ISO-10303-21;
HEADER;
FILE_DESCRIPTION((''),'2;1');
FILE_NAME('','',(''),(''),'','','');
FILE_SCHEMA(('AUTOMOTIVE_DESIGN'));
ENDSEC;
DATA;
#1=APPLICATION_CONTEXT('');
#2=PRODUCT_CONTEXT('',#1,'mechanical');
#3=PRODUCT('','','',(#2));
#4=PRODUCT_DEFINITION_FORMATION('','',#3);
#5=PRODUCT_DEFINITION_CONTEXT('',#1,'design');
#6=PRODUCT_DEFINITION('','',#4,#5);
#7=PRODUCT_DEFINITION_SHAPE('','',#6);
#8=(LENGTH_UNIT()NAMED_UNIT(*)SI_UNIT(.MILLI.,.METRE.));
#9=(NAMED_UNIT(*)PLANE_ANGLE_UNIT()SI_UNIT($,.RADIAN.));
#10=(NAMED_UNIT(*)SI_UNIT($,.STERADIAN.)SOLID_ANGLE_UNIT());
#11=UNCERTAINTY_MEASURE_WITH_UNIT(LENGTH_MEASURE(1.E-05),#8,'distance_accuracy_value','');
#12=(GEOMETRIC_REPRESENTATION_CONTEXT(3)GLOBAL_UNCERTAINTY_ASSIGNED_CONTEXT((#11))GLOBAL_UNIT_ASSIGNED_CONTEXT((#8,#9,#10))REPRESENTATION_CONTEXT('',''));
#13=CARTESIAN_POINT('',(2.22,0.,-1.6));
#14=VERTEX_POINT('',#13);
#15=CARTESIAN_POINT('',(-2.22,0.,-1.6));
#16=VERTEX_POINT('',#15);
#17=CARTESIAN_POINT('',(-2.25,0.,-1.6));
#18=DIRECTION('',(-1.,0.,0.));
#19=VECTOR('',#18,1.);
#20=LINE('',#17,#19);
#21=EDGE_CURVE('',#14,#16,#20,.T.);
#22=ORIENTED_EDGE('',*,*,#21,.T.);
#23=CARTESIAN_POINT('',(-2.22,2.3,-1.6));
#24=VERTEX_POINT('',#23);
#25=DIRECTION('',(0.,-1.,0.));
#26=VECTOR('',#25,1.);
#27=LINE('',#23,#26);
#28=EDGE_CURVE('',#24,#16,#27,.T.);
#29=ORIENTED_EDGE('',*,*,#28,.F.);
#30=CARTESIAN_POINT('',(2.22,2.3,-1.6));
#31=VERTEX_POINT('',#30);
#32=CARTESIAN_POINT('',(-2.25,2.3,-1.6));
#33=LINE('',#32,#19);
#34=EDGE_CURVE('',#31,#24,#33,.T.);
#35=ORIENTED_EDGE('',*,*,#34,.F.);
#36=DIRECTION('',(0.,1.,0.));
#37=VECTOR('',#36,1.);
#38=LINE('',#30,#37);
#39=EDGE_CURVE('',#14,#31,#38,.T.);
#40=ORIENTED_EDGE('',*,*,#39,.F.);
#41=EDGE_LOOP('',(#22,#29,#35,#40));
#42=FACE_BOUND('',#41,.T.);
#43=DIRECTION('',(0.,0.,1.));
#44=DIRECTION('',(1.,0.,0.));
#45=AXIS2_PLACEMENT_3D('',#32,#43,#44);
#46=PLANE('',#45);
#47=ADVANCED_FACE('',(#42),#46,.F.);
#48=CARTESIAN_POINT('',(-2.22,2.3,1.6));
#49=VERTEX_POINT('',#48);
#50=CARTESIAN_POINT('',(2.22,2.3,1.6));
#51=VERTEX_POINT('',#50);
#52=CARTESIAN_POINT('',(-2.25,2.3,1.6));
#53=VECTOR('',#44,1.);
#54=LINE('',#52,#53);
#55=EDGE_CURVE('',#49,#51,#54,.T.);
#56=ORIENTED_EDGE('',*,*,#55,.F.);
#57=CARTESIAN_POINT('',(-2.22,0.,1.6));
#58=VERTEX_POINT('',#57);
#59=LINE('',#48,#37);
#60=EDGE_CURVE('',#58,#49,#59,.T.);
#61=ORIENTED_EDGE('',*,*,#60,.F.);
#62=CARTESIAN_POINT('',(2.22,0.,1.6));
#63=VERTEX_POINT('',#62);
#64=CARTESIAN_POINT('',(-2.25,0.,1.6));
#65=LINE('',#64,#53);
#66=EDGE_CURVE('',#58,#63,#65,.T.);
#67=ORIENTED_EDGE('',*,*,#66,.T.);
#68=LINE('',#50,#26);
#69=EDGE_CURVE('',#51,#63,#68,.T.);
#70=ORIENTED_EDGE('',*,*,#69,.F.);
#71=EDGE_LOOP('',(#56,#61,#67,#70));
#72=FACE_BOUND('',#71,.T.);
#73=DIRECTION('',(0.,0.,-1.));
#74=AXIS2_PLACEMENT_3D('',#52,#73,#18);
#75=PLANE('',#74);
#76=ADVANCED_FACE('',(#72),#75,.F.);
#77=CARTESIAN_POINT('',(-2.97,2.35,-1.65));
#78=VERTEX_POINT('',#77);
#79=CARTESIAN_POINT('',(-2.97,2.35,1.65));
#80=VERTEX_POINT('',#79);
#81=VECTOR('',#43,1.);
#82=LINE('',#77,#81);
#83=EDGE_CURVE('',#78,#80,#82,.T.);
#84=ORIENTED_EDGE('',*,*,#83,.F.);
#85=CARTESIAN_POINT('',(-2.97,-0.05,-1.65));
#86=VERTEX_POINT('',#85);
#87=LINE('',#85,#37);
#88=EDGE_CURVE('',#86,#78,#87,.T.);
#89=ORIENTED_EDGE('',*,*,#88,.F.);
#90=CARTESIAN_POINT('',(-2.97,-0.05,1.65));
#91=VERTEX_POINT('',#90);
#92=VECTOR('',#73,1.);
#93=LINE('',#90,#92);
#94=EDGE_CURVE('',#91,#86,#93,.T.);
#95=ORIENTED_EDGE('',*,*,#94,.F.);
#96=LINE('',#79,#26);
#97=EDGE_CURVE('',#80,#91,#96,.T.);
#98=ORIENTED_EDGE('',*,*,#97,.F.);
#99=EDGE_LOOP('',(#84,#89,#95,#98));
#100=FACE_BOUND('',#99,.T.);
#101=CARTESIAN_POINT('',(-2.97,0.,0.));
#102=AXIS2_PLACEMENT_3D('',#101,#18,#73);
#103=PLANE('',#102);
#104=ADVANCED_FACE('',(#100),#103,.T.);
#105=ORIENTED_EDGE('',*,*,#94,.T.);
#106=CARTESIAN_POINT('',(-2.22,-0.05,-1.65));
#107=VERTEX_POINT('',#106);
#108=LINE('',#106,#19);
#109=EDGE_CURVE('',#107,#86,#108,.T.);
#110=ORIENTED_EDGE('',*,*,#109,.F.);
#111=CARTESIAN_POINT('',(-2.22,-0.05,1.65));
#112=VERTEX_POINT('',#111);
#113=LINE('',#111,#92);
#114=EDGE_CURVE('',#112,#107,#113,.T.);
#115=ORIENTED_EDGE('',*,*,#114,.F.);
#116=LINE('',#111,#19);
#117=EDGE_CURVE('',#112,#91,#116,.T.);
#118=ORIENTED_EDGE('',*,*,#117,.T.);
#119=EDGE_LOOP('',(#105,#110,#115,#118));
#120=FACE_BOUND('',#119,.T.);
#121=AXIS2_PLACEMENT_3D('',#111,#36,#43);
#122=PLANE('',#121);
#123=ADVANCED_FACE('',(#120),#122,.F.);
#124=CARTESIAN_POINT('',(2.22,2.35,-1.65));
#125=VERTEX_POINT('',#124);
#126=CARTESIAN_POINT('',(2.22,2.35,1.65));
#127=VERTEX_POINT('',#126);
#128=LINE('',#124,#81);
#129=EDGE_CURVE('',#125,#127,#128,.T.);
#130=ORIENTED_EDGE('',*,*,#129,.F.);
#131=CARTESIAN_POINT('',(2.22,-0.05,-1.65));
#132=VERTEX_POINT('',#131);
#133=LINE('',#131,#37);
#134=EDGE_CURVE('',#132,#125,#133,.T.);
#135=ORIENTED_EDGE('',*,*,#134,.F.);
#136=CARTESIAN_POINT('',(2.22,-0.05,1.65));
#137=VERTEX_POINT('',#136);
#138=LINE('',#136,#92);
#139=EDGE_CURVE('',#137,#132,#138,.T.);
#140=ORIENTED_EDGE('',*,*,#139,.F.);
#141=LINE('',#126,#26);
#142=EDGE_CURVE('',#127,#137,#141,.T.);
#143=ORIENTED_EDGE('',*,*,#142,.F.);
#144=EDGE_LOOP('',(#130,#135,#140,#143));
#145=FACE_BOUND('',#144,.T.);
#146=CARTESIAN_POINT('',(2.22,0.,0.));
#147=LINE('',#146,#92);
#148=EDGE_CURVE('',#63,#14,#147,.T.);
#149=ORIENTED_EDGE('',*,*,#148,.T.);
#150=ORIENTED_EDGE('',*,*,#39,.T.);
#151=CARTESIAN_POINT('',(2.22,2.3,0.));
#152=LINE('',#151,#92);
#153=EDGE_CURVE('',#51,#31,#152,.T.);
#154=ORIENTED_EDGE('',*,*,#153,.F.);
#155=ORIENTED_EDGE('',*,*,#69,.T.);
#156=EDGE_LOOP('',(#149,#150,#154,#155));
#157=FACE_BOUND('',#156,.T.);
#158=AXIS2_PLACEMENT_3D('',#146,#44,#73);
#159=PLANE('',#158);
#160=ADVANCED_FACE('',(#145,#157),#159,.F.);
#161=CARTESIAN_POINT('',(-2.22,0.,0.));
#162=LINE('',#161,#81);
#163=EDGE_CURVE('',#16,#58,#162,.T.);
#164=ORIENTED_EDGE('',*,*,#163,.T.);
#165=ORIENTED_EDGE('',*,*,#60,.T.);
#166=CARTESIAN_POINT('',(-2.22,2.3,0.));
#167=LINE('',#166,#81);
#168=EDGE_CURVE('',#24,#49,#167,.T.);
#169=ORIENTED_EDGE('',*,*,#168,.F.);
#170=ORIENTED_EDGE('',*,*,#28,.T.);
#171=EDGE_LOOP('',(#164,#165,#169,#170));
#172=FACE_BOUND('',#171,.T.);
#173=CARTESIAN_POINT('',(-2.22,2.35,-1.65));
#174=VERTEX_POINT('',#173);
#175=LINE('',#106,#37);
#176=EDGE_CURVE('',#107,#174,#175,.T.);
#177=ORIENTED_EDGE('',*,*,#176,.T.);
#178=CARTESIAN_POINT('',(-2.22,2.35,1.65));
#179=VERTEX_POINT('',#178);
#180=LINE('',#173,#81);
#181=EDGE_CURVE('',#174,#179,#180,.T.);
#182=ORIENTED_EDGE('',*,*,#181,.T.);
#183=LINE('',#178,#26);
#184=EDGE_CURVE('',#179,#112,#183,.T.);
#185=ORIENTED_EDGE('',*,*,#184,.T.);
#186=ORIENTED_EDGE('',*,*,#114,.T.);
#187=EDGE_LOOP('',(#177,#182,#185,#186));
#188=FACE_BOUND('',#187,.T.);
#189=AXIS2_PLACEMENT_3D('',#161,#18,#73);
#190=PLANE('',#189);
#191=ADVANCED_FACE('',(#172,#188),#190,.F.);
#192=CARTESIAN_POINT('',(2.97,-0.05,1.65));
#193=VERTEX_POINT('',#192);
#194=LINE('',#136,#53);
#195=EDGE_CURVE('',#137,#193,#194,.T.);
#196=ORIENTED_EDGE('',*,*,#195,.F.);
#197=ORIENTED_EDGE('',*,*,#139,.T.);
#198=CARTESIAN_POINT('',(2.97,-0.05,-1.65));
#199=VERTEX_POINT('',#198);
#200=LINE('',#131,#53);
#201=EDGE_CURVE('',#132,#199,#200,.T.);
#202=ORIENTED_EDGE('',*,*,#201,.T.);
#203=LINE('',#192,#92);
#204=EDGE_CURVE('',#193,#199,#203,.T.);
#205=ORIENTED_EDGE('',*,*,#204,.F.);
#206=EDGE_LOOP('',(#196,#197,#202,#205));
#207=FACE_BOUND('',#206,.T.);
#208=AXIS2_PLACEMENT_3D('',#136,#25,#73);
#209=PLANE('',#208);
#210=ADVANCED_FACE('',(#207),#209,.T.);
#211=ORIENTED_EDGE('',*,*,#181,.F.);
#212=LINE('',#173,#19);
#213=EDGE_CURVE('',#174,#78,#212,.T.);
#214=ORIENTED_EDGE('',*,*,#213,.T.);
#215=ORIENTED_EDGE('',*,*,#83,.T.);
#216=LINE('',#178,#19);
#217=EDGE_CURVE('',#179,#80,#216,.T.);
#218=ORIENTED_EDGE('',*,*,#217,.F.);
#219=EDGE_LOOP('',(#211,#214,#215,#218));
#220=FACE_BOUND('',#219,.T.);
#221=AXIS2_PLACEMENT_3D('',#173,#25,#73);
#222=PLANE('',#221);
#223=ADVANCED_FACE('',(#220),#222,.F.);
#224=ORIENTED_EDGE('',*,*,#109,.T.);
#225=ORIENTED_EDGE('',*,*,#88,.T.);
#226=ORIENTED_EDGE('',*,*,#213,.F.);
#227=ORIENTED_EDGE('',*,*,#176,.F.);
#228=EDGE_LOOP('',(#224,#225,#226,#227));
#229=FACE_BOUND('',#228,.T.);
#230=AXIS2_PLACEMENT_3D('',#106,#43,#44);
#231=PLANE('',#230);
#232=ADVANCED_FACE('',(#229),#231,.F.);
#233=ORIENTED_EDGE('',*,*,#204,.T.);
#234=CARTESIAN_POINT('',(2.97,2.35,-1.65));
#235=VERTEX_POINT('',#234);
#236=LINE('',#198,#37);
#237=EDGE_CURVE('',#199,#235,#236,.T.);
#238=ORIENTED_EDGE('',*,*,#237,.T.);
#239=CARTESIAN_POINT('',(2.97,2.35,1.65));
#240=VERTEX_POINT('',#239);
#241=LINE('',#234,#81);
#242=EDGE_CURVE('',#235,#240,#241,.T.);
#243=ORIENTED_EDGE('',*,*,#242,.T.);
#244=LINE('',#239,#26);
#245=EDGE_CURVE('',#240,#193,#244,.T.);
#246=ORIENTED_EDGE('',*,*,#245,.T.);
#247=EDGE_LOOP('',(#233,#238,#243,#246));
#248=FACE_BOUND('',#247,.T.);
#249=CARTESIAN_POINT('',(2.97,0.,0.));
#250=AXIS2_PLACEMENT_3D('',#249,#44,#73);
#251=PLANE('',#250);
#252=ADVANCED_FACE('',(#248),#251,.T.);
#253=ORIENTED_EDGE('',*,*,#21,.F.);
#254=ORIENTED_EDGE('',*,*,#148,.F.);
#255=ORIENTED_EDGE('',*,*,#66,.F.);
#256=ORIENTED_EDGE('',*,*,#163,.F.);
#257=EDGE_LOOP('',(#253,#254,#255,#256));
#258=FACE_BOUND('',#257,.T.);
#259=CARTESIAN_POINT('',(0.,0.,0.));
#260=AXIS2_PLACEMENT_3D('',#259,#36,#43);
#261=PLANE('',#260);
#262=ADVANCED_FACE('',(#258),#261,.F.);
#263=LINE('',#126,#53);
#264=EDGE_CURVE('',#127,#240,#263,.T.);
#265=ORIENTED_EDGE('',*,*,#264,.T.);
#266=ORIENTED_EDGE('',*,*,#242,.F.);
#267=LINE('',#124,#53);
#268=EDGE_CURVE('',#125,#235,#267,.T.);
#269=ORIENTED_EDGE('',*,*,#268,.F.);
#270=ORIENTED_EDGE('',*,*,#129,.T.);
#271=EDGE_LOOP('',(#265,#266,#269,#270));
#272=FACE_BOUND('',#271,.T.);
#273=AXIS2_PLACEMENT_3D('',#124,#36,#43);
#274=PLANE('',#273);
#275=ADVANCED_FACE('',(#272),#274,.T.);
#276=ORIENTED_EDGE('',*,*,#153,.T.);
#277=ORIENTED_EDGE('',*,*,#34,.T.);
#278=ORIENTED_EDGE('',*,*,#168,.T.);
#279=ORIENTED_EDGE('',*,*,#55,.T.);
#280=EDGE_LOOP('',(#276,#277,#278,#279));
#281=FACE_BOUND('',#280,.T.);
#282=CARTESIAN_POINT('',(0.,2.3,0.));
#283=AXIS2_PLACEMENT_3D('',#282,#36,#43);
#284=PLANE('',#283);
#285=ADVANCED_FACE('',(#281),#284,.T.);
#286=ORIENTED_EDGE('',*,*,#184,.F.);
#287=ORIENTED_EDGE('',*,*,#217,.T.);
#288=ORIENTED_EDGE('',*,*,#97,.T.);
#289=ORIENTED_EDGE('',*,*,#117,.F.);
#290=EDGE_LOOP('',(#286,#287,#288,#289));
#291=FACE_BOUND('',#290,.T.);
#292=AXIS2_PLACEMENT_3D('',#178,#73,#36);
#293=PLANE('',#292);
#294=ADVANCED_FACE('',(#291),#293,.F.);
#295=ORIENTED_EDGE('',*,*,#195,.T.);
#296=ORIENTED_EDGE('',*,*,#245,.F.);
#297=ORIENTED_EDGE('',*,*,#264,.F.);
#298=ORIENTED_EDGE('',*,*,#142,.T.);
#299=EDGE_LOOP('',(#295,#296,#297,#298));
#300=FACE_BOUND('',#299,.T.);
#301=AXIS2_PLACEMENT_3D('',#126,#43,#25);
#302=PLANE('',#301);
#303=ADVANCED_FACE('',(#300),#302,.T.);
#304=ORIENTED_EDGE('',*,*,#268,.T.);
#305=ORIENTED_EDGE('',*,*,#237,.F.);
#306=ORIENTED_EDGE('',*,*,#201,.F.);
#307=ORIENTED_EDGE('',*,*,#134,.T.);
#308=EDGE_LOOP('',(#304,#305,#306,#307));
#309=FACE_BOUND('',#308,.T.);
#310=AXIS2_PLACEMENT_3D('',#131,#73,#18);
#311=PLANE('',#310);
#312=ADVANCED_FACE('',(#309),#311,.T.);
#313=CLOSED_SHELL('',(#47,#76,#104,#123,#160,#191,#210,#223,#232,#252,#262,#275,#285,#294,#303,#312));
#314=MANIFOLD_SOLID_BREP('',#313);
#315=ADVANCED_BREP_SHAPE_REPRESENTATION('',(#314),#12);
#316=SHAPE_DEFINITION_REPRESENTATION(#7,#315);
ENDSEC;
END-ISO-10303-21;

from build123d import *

# Parameters (mm, degrees)
SKETCH1_W           = 4.5
SKETCH1_H           = 3.2
BOSS_EXTRUDE1_DEPTH = 2.3
BOSS_EXTRUDE2_START = -0.03
SKETCH2_W           = 3.3
SKETCH2_H           = 2.4
BOSS_EXTRUDE2_DEPTH = 0.75


with BuildPart() as part:
    # Sketch1 → Boss-Extrude1 (new body)
    with BuildSketch(Plane(origin=(0, 0, 0), x_dir=(1, 0, 0), z_dir=(0, 1, 0))):
        Rectangle(SKETCH1_W, SKETCH1_H)
    extrude(amount=BOSS_EXTRUDE1_DEPTH)

    # Sketch2 → Boss-Extrude2 (add)
    with BuildSketch(Plane(origin=(2.25, 0, 0), x_dir=(0, 0, -1), z_dir=(1, 0, 0)).offset(BOSS_EXTRUDE2_START)):
        with Locations((0, 1.15)):
            Rectangle(SKETCH2_W, SKETCH2_H)
    boss_extrude2 = extrude(amount=BOSS_EXTRUDE2_DEPTH)

    # Mirror1: Boss-Extrude2 across plane
    add(boss_extrude2.mirror(Plane(origin=(0, 0, 0), x_dir=(0, 0, 1), z_dir=(1, 0, 0))))


solid = part.part
